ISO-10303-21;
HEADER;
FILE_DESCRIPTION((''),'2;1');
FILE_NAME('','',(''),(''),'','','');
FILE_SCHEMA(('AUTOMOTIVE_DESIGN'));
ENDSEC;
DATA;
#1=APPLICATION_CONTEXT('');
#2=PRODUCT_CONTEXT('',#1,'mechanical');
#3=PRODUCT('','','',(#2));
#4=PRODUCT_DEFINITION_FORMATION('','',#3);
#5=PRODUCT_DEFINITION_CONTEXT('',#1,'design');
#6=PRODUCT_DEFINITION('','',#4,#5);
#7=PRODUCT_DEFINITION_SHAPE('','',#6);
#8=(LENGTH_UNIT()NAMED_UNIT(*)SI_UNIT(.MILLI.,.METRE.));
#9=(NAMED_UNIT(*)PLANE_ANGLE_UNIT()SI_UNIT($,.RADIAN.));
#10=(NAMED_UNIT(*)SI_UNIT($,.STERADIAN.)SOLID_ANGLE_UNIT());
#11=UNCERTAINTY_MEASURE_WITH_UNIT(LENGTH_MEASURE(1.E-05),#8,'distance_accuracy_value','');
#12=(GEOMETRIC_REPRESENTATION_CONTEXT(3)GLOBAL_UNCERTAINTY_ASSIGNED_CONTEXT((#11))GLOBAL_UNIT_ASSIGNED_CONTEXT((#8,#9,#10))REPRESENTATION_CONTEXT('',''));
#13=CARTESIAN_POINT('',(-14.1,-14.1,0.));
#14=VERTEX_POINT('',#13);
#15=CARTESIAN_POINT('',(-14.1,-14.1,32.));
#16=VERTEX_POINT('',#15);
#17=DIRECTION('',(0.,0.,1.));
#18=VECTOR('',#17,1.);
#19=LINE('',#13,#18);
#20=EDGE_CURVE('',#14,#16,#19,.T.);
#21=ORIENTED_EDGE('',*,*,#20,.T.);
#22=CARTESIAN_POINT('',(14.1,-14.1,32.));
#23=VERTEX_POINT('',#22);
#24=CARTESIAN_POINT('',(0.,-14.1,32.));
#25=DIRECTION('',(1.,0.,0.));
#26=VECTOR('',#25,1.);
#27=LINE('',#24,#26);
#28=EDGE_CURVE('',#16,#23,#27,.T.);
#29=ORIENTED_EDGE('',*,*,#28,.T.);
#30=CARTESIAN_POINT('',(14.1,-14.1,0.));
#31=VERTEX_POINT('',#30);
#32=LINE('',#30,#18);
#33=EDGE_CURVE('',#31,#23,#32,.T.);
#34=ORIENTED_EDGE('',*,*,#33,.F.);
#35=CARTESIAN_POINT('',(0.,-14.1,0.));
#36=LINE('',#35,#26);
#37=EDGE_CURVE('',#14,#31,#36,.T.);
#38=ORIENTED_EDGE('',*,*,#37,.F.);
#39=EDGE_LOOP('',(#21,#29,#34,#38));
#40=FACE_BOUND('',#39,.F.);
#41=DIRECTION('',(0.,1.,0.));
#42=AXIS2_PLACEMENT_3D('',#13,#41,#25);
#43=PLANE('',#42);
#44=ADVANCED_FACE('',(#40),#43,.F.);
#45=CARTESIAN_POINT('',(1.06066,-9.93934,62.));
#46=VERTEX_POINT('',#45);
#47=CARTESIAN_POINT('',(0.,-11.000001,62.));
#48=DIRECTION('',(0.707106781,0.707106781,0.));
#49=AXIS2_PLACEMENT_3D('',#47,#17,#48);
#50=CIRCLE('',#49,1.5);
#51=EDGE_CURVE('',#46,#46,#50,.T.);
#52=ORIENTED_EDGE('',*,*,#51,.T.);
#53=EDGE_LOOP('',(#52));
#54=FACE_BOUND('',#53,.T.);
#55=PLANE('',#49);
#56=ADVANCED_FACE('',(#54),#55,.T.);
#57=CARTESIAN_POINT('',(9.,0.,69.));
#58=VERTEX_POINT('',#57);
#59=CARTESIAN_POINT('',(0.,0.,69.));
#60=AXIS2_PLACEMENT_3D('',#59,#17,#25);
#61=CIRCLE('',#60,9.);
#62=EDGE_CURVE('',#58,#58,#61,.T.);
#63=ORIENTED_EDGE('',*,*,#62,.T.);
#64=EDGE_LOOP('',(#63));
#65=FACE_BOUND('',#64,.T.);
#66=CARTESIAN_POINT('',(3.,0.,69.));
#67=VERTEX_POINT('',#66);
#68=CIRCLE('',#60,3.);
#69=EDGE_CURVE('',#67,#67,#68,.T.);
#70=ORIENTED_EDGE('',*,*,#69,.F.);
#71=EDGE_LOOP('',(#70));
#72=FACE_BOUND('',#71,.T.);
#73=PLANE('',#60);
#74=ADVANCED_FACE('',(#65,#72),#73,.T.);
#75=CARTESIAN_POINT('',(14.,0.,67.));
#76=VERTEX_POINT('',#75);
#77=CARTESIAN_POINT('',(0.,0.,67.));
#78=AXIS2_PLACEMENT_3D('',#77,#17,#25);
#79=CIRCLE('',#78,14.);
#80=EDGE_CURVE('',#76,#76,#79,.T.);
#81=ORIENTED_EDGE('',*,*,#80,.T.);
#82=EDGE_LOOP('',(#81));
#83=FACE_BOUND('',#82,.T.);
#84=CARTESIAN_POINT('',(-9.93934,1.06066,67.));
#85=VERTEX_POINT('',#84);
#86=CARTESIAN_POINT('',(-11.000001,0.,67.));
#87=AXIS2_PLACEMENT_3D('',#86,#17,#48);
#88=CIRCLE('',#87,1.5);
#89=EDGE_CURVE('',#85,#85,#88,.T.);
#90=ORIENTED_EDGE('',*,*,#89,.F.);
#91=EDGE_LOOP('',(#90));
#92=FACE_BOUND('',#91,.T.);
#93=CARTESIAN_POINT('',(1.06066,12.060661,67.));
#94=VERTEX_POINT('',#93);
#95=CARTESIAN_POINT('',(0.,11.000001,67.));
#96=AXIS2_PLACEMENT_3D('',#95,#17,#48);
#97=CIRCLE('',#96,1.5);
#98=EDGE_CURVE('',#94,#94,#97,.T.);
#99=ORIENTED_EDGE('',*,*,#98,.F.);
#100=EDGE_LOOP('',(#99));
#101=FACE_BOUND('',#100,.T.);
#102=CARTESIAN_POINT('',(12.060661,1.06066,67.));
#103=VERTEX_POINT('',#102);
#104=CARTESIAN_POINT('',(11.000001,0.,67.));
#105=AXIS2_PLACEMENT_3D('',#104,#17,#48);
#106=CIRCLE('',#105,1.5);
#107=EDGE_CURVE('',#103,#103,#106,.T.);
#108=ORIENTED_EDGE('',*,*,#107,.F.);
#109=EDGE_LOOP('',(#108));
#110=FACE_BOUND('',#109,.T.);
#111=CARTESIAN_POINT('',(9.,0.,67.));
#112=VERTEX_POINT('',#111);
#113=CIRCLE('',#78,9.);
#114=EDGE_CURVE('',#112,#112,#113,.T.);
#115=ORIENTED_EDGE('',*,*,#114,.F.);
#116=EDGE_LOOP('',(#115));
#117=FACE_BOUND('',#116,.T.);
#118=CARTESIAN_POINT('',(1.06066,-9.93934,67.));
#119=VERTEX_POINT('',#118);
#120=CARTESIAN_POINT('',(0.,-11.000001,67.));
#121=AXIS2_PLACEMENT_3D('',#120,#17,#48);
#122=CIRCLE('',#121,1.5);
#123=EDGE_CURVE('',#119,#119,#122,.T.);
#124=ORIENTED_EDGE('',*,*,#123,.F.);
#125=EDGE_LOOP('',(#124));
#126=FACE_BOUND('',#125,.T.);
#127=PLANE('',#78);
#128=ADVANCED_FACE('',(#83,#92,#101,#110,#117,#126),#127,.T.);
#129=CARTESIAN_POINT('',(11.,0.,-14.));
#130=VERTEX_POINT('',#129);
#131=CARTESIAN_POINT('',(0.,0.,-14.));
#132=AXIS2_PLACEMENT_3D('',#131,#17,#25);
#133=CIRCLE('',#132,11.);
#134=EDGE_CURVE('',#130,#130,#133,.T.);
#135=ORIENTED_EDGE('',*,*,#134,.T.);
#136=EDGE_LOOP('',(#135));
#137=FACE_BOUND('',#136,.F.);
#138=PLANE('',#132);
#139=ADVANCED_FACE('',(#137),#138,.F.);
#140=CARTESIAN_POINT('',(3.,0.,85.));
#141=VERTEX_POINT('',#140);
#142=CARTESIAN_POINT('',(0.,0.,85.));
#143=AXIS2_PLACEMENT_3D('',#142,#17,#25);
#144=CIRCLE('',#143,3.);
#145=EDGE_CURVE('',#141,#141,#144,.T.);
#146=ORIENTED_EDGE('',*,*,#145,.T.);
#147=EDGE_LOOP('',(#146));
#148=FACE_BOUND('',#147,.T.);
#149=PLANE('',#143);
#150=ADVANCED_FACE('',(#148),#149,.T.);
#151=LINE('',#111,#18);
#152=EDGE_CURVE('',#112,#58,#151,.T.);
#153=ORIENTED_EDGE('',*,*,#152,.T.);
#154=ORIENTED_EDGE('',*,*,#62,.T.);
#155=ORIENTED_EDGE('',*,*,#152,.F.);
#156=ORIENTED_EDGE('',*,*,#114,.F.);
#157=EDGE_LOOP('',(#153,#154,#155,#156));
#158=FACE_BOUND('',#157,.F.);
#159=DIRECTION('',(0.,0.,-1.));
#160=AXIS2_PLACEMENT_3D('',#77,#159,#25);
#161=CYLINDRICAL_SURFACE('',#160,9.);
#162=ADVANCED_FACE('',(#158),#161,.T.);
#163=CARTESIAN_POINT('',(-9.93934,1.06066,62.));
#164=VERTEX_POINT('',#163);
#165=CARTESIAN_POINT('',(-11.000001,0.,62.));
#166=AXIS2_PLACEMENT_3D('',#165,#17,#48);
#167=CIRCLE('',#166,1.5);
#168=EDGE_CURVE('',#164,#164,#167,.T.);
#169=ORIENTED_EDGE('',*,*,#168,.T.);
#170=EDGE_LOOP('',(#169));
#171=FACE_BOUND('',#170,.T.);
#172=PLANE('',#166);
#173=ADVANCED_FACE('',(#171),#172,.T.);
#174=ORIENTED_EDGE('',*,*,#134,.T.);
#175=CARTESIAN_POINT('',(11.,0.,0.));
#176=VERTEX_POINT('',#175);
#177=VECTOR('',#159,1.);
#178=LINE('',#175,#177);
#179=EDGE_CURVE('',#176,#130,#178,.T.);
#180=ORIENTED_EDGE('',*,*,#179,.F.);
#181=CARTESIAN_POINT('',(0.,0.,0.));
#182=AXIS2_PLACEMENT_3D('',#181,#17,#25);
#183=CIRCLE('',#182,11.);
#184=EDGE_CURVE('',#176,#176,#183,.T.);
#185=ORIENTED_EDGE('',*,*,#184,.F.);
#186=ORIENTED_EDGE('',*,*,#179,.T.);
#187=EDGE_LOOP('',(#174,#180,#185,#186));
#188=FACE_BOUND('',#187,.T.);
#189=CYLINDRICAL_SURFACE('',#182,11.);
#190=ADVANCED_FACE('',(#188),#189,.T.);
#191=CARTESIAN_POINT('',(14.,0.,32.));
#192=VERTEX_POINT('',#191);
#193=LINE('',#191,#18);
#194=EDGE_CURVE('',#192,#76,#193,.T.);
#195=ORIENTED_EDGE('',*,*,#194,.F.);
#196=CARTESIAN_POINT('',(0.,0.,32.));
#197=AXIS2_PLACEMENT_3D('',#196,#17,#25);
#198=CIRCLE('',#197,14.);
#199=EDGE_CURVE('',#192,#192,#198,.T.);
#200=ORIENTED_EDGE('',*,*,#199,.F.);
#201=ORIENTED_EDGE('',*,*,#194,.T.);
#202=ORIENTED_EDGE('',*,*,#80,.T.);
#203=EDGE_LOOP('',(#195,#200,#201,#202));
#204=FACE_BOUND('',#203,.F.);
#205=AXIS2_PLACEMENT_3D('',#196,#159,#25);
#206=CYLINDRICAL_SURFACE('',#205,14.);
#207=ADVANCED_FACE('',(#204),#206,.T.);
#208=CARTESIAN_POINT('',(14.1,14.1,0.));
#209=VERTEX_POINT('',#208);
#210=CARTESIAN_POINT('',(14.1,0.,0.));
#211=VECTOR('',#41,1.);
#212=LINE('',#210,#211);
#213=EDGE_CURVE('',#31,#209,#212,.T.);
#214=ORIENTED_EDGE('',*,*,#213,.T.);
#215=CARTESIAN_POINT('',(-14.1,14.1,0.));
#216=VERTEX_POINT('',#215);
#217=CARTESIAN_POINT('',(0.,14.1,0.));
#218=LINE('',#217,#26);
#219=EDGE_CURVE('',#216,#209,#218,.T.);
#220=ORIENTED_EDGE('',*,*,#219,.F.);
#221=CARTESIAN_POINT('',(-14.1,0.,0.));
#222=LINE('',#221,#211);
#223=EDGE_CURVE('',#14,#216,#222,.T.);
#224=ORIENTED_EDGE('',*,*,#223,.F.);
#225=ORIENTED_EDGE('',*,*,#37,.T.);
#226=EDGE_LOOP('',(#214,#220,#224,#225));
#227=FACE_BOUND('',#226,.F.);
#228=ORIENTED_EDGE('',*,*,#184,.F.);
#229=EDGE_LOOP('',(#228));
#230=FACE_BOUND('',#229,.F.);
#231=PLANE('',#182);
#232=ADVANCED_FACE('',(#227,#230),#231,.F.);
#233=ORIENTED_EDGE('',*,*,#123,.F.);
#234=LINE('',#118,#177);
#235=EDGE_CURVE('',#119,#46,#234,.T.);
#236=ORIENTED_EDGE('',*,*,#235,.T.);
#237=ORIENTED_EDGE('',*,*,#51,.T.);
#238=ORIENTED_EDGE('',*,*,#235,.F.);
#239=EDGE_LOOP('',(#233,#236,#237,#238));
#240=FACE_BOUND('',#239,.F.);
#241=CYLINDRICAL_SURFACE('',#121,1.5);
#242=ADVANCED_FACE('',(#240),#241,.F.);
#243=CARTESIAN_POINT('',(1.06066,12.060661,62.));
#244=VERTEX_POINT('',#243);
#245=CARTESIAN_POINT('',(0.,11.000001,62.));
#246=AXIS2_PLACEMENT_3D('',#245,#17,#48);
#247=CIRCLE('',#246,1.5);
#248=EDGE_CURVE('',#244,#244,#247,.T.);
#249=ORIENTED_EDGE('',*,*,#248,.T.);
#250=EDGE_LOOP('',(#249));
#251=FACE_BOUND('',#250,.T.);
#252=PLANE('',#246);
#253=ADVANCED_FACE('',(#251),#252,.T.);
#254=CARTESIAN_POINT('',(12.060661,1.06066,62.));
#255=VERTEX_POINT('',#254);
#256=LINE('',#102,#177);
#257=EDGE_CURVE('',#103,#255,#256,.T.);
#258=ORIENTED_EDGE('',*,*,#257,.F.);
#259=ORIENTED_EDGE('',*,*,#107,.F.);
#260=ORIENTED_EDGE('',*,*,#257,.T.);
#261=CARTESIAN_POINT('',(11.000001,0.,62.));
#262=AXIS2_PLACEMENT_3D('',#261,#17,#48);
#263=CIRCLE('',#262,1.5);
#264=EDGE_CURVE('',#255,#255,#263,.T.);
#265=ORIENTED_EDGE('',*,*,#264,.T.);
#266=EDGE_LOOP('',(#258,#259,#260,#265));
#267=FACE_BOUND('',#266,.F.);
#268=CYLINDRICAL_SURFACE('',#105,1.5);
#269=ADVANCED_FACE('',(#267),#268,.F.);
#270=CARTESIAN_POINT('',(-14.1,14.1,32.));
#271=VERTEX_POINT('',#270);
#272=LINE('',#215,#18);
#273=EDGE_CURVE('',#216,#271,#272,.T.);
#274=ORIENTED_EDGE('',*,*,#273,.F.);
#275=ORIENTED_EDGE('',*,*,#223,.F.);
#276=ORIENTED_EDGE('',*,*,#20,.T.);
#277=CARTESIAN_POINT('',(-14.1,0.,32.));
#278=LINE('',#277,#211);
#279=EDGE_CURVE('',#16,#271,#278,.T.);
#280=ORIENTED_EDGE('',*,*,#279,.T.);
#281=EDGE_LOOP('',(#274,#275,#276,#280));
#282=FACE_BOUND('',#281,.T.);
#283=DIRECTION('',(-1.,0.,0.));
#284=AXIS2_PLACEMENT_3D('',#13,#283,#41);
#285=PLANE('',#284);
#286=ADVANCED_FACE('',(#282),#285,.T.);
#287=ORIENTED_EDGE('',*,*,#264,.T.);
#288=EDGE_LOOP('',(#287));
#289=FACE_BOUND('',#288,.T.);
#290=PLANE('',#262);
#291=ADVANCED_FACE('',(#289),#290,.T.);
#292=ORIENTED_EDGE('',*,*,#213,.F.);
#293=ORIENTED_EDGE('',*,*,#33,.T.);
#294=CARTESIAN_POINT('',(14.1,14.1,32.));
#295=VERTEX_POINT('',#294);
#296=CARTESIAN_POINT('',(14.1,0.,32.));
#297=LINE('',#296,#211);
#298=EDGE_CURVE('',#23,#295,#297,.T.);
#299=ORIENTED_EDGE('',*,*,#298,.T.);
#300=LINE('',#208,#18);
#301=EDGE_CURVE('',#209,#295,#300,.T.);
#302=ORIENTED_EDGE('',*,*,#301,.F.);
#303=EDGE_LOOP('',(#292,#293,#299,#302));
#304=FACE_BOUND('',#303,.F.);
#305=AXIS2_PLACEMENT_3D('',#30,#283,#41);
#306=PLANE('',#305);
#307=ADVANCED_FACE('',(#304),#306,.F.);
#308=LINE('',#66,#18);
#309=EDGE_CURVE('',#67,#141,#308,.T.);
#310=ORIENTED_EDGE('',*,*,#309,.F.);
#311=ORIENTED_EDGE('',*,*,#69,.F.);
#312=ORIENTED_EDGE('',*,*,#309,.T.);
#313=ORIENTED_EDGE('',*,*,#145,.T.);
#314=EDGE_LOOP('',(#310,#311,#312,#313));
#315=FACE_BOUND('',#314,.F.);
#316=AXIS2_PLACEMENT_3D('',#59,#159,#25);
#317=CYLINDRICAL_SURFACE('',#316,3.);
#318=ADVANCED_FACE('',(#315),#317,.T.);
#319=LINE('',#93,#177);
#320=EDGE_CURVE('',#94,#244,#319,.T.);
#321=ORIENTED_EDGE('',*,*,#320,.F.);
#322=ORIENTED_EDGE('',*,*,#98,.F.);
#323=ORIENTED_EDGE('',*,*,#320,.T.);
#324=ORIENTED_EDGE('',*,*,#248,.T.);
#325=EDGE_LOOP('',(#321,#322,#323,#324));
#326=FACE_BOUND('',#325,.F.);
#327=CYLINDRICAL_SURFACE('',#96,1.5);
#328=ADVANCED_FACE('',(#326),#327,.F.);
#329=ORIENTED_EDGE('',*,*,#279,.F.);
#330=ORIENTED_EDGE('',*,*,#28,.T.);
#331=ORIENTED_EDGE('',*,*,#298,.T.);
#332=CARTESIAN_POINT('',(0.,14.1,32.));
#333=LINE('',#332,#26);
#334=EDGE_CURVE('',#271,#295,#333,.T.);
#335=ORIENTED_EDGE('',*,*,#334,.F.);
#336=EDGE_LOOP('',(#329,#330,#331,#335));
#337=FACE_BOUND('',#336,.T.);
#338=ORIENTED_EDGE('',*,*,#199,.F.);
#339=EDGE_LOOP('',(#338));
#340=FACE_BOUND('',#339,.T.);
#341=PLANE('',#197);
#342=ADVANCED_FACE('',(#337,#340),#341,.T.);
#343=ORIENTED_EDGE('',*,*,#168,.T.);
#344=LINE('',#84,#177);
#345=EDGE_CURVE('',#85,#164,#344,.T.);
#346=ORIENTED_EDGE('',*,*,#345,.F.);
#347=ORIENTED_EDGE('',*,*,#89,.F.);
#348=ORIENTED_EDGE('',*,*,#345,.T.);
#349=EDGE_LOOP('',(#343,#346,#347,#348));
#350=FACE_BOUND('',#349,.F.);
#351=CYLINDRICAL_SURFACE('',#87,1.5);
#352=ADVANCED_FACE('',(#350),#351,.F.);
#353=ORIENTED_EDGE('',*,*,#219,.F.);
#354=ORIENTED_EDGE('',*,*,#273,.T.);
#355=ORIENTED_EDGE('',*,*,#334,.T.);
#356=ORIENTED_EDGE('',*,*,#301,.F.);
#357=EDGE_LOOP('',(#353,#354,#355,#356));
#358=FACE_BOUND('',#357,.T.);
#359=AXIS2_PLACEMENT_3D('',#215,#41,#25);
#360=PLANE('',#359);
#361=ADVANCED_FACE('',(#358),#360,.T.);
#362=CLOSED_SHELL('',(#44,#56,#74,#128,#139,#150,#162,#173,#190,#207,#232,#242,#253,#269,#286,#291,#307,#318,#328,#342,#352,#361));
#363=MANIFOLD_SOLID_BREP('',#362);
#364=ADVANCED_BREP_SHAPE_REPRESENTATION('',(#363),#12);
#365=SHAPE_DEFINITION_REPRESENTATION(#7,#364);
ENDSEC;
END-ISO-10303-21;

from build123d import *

# Parameters (mm, degrees)
SKETCH_W     = 28.2
SKETCH_H     = 28.2
PAD_DEPTH    = 32
SKETCH002_R  = 14
PAD001_DEPTH = 35
SKETCH003_R  = 9
PAD002_DEPTH = 2
SKETCH004_R  = 3
PAD003_DEPTH = 16
SKETCH005_R  = 11
PAD004_DEPTH = 14
SKETCH006_R  = 1.5
POCKET_DEPTH = 5


with BuildPart() as part:
    # Sketch → Pad (new body)
    with BuildSketch(Plane.XY):
        Rectangle(SKETCH_W, SKETCH_H)
    extrude(amount=PAD_DEPTH)

    # Sketch002 → Pad001 (join)
    with BuildSketch(Plane.XY.offset(32)):
        Circle(SKETCH002_R)
    extrude(amount=PAD001_DEPTH)

    # Sketch003 → Pad002 (join)
    with BuildSketch(Plane.XY.offset(67)):
        Circle(SKETCH003_R)
    extrude(amount=PAD002_DEPTH)

    # Sketch004 → Pad003 (join)
    with BuildSketch(Plane.XY.offset(69)):
        Circle(SKETCH004_R)
    extrude(amount=PAD003_DEPTH)

    # Sketch005 → Pad004 (join)
    with BuildSketch(Plane.XY):
        Circle(SKETCH005_R)
    extrude(amount=-PAD004_DEPTH)

    # Sketch006 → Pocket (cut)
    with BuildSketch(Plane(origin=(0, 0, 67), x_dir=(0.707107, 0.707107, 0), z_dir=(0, 0, 1))):
        with Locations((-7.778175, 7.778175)):
            Circle(SKETCH006_R)
        with Locations((7.778175, 7.778175)):
            Circle(SKETCH006_R)
        with Locations((7.778175, -7.778175)):
            Circle(SKETCH006_R)
        with Locations((-7.778175, -7.778175)):
            Circle(SKETCH006_R)
    extrude(amount=-POCKET_DEPTH, mode=Mode.SUBTRACT)


solid = part.part
